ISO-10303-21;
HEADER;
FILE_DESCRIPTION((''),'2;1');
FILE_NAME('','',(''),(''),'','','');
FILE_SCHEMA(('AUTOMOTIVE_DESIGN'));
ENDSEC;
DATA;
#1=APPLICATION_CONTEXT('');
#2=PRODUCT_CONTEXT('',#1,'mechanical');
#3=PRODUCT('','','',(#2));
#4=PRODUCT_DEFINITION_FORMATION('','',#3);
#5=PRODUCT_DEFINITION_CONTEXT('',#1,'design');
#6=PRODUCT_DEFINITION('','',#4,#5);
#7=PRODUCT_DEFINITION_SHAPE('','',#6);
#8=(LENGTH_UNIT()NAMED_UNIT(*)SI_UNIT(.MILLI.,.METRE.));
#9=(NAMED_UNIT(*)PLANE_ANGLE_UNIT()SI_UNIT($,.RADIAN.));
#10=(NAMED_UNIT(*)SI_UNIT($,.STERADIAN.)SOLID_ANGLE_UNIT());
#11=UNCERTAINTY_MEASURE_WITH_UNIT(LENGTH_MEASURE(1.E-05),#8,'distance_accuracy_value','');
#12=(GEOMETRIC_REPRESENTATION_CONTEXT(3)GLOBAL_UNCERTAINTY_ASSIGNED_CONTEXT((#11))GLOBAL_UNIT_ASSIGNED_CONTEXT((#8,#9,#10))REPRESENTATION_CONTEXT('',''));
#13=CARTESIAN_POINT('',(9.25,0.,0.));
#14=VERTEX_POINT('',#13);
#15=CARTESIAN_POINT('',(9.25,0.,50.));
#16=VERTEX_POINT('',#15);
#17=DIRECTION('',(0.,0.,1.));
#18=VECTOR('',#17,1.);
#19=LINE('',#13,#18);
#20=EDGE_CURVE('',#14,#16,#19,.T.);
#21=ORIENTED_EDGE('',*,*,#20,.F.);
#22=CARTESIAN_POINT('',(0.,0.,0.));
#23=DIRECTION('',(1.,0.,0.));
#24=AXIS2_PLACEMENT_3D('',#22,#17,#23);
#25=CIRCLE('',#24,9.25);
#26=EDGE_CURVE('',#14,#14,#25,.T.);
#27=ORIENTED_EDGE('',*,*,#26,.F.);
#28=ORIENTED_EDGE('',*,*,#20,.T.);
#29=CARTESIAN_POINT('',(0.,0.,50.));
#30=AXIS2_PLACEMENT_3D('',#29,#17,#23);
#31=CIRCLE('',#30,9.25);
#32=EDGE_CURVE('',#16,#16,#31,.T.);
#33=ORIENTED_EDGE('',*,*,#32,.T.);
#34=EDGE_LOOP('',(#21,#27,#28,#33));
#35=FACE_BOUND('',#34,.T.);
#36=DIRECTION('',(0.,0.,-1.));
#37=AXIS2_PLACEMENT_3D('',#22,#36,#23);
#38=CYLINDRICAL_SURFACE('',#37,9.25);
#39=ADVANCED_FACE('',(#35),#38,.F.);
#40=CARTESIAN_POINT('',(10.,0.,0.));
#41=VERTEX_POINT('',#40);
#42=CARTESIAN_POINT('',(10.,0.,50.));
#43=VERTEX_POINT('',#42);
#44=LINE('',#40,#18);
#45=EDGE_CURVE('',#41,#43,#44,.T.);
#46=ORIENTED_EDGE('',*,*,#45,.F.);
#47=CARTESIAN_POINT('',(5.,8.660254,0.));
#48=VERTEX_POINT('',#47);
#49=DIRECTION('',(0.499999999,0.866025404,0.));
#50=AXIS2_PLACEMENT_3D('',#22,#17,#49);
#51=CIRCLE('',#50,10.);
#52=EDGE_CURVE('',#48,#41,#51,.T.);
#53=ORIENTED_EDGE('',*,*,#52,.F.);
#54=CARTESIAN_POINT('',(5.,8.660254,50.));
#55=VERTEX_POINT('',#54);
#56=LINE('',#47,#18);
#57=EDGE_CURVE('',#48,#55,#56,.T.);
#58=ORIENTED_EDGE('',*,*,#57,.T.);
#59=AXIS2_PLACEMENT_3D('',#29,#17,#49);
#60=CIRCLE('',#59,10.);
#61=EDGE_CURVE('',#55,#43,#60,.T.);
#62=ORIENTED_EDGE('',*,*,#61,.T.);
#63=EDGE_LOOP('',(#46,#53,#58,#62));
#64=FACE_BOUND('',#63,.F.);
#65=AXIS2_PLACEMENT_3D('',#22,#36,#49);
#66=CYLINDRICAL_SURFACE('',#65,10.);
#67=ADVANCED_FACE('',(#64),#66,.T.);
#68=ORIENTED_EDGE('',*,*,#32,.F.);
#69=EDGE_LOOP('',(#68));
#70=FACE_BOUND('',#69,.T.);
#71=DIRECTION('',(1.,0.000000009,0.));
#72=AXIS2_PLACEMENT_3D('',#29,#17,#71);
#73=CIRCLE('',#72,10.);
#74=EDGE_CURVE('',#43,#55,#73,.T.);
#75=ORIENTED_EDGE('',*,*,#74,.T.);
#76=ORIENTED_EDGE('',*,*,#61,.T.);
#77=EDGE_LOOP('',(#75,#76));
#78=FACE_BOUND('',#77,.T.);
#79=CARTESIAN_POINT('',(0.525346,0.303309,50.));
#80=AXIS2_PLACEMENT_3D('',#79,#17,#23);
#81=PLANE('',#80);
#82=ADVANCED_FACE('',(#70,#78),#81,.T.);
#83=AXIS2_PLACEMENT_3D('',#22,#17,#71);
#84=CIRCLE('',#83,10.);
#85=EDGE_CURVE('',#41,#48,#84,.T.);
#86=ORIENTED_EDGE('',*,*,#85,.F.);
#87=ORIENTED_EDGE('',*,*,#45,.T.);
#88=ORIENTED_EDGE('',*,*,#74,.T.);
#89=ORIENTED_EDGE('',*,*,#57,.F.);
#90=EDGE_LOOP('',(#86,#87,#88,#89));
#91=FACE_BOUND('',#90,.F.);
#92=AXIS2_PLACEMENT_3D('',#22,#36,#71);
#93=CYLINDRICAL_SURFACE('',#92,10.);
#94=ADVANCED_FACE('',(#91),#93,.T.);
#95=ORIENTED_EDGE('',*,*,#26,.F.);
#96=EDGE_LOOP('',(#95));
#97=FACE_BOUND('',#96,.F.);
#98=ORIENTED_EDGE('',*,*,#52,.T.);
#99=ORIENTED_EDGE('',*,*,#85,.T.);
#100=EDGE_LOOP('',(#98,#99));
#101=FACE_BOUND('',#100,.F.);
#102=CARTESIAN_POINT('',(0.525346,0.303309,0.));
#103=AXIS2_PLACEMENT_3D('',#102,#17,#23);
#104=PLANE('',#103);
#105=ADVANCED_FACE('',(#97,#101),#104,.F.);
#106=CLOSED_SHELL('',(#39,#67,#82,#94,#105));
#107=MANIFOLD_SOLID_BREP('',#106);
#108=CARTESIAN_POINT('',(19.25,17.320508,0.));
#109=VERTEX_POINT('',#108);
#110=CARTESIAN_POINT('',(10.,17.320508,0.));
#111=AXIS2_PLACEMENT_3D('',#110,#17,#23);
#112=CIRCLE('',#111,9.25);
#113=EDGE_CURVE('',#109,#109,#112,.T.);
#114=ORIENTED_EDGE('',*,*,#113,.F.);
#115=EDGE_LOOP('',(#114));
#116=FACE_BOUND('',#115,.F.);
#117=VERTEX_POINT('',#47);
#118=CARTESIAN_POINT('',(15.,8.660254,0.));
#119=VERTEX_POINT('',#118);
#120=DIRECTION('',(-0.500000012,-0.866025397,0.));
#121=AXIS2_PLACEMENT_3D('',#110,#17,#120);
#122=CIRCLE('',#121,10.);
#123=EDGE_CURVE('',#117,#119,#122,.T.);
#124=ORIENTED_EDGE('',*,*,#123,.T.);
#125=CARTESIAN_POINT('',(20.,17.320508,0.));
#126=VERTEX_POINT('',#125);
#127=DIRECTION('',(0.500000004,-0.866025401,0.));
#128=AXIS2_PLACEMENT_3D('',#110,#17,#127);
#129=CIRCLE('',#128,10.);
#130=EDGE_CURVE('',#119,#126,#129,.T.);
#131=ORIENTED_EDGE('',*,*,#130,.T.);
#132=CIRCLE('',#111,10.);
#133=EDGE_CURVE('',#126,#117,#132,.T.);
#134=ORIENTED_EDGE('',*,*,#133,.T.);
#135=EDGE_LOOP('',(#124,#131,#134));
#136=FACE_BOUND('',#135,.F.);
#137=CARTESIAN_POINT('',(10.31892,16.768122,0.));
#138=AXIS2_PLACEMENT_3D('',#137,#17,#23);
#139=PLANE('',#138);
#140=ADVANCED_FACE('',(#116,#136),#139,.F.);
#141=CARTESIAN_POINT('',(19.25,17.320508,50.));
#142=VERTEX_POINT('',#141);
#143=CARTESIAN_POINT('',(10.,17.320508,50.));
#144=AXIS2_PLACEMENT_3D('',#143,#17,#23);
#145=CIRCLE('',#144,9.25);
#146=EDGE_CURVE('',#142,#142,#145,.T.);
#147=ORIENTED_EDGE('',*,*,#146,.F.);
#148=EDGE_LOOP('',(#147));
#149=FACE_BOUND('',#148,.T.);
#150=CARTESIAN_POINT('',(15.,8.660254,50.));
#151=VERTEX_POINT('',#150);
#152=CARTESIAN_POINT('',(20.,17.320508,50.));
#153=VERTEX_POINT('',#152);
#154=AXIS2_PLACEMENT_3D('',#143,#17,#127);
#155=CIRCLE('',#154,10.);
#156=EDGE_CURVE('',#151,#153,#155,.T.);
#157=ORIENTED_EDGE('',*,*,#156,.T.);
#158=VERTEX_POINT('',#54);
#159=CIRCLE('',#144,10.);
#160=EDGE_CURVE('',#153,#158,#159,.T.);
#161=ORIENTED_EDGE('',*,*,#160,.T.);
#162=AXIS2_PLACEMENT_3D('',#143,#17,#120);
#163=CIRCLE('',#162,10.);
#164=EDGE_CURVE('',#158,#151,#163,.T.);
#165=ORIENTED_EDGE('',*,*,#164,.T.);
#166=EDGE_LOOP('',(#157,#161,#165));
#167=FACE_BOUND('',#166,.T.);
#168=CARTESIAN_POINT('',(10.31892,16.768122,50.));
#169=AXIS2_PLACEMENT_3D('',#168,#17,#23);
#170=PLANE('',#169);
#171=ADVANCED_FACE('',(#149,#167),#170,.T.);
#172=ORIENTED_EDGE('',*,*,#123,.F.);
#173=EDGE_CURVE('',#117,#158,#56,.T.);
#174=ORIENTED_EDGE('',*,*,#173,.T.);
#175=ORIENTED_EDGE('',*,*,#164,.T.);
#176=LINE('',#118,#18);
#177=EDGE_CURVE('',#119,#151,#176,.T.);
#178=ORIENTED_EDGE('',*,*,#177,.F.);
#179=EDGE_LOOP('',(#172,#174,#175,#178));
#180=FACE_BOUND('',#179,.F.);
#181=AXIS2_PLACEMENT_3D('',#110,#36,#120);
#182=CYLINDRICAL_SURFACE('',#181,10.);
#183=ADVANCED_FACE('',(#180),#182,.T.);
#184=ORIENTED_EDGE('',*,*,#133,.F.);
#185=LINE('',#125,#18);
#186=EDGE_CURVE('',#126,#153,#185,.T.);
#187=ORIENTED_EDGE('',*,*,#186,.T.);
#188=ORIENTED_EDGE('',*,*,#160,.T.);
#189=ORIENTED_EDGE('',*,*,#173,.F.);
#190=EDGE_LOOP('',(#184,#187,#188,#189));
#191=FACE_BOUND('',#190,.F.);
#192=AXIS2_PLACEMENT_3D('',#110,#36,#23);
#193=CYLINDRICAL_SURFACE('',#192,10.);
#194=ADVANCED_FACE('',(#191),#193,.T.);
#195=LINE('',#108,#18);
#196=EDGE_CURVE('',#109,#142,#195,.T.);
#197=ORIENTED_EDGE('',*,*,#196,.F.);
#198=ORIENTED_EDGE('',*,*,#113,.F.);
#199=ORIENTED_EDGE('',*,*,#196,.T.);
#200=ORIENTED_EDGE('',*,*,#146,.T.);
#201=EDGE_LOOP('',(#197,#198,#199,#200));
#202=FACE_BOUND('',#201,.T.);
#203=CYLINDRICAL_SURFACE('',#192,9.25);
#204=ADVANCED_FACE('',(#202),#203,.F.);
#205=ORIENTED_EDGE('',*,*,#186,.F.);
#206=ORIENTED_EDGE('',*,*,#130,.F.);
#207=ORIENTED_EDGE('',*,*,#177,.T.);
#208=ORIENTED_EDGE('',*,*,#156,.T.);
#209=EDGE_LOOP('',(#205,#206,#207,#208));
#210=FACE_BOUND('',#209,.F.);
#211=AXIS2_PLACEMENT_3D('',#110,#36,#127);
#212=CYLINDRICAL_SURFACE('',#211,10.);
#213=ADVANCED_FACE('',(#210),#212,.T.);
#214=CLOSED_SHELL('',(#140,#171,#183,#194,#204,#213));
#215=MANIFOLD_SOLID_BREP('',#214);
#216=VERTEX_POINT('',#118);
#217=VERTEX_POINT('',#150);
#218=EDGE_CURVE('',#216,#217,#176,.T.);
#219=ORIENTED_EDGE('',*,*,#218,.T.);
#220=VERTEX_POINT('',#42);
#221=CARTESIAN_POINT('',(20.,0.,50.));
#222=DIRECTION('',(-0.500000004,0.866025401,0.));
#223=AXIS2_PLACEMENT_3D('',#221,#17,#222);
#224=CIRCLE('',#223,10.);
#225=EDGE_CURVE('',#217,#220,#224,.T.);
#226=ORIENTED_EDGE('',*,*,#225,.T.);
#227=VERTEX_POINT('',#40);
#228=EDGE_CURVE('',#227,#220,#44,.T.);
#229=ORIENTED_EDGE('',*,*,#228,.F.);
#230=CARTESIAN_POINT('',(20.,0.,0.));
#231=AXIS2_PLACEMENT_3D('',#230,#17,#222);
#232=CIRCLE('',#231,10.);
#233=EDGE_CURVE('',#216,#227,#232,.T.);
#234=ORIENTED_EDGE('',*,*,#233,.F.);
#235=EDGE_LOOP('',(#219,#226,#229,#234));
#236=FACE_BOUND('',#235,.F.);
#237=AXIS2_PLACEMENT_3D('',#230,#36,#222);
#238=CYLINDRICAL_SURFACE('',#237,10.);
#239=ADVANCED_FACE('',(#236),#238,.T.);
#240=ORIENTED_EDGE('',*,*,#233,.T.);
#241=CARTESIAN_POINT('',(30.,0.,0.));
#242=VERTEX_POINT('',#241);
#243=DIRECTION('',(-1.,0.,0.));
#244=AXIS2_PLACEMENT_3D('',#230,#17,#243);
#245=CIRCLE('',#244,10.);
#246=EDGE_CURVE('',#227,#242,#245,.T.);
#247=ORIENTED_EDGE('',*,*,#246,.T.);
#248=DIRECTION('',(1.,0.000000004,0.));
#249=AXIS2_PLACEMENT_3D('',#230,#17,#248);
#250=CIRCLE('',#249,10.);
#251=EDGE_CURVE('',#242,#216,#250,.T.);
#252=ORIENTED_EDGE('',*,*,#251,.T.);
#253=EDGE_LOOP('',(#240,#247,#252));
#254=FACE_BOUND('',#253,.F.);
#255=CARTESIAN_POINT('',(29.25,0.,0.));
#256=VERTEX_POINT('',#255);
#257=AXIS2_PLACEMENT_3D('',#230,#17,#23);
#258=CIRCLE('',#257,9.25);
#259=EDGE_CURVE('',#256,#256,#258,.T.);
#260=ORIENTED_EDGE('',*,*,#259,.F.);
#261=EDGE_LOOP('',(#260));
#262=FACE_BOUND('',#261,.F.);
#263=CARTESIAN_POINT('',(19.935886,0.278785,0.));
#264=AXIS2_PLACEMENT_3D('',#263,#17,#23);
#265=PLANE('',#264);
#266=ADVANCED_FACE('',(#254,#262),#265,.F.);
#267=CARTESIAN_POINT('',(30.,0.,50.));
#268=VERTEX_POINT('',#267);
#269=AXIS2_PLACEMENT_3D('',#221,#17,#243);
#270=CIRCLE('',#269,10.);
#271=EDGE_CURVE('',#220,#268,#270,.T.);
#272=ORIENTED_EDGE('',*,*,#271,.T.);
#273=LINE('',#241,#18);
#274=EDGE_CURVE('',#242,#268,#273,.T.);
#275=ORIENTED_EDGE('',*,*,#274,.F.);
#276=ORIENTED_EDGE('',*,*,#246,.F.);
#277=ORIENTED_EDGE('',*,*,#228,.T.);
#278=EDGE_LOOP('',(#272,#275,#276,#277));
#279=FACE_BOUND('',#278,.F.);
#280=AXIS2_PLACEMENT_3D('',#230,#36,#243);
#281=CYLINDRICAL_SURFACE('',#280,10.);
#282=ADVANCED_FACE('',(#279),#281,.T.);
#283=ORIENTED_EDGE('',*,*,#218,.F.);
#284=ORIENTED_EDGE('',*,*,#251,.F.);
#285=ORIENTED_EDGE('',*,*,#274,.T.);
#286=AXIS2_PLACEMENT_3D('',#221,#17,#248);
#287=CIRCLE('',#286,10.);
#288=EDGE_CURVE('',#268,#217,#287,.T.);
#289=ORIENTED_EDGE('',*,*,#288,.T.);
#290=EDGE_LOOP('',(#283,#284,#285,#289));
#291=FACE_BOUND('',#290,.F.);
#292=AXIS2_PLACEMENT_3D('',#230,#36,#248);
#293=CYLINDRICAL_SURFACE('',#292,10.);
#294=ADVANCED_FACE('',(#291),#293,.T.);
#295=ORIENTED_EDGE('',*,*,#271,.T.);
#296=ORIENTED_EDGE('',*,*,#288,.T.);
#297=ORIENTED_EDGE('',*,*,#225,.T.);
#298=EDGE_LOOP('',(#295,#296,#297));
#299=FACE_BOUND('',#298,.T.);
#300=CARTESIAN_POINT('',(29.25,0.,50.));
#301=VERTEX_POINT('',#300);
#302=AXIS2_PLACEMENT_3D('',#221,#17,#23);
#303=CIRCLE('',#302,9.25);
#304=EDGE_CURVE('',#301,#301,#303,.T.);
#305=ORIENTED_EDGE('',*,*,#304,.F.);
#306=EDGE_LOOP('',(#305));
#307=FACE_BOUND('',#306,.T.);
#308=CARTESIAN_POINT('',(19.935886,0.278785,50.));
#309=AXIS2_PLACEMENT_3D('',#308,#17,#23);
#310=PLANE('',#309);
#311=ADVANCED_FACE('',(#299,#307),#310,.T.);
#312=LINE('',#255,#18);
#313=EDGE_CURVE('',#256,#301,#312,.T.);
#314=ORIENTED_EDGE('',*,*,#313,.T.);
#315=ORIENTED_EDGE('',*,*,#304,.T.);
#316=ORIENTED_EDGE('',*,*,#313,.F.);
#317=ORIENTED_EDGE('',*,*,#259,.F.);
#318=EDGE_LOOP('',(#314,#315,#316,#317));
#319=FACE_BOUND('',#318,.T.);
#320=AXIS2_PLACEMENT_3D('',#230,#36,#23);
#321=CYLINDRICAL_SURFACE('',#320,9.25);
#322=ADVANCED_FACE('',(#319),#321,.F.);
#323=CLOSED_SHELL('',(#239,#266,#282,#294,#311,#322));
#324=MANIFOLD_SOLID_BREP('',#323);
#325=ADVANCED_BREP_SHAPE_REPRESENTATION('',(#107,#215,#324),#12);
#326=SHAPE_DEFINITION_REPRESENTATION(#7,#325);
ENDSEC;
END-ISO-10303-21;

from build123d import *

# Parameters (mm, degrees)
F0_R     = 9.25
F1_DEPTH = 50


with BuildPart() as f1:
    # F0 (on Top) → F1 (new body)
    with BuildSketch(Plane.XY):
        with BuildLine():
            ThreePointArc((20, 17.320508), (5, 25.980762), (5, 8.660254))
            ThreePointArc((5, 8.660254), (10, 7.320508), (15, 8.660254))
            ThreePointArc((15, 8.660254), (18.660254, 12.320508), (20, 17.320508))
        make_face()
        with Locations((10, 17.320508)):
            Circle(F0_R, mode=Mode.SUBTRACT)
        with BuildLine():
            ThreePointArc((15, 8.660254), (11.339746, 5), (10, 0))
            ThreePointArc((10, 0), (20, -10), (30, 0))
            ThreePointArc((30, 0), (25, 8.660254), (15, 8.660254))
        make_face()
        with Locations((20, 0)):
            Circle(F0_R, mode=Mode.SUBTRACT)
        with BuildLine():
            ThreePointArc((5, 8.660254), (-8.660254, -5), (10, 0))
            ThreePointArc((10, 0), (8.660254, 5), (5, 8.660254))
        make_face()
        Circle(F0_R, mode=Mode.SUBTRACT)
    extrude(amount=F1_DEPTH)


solid = f1.part
